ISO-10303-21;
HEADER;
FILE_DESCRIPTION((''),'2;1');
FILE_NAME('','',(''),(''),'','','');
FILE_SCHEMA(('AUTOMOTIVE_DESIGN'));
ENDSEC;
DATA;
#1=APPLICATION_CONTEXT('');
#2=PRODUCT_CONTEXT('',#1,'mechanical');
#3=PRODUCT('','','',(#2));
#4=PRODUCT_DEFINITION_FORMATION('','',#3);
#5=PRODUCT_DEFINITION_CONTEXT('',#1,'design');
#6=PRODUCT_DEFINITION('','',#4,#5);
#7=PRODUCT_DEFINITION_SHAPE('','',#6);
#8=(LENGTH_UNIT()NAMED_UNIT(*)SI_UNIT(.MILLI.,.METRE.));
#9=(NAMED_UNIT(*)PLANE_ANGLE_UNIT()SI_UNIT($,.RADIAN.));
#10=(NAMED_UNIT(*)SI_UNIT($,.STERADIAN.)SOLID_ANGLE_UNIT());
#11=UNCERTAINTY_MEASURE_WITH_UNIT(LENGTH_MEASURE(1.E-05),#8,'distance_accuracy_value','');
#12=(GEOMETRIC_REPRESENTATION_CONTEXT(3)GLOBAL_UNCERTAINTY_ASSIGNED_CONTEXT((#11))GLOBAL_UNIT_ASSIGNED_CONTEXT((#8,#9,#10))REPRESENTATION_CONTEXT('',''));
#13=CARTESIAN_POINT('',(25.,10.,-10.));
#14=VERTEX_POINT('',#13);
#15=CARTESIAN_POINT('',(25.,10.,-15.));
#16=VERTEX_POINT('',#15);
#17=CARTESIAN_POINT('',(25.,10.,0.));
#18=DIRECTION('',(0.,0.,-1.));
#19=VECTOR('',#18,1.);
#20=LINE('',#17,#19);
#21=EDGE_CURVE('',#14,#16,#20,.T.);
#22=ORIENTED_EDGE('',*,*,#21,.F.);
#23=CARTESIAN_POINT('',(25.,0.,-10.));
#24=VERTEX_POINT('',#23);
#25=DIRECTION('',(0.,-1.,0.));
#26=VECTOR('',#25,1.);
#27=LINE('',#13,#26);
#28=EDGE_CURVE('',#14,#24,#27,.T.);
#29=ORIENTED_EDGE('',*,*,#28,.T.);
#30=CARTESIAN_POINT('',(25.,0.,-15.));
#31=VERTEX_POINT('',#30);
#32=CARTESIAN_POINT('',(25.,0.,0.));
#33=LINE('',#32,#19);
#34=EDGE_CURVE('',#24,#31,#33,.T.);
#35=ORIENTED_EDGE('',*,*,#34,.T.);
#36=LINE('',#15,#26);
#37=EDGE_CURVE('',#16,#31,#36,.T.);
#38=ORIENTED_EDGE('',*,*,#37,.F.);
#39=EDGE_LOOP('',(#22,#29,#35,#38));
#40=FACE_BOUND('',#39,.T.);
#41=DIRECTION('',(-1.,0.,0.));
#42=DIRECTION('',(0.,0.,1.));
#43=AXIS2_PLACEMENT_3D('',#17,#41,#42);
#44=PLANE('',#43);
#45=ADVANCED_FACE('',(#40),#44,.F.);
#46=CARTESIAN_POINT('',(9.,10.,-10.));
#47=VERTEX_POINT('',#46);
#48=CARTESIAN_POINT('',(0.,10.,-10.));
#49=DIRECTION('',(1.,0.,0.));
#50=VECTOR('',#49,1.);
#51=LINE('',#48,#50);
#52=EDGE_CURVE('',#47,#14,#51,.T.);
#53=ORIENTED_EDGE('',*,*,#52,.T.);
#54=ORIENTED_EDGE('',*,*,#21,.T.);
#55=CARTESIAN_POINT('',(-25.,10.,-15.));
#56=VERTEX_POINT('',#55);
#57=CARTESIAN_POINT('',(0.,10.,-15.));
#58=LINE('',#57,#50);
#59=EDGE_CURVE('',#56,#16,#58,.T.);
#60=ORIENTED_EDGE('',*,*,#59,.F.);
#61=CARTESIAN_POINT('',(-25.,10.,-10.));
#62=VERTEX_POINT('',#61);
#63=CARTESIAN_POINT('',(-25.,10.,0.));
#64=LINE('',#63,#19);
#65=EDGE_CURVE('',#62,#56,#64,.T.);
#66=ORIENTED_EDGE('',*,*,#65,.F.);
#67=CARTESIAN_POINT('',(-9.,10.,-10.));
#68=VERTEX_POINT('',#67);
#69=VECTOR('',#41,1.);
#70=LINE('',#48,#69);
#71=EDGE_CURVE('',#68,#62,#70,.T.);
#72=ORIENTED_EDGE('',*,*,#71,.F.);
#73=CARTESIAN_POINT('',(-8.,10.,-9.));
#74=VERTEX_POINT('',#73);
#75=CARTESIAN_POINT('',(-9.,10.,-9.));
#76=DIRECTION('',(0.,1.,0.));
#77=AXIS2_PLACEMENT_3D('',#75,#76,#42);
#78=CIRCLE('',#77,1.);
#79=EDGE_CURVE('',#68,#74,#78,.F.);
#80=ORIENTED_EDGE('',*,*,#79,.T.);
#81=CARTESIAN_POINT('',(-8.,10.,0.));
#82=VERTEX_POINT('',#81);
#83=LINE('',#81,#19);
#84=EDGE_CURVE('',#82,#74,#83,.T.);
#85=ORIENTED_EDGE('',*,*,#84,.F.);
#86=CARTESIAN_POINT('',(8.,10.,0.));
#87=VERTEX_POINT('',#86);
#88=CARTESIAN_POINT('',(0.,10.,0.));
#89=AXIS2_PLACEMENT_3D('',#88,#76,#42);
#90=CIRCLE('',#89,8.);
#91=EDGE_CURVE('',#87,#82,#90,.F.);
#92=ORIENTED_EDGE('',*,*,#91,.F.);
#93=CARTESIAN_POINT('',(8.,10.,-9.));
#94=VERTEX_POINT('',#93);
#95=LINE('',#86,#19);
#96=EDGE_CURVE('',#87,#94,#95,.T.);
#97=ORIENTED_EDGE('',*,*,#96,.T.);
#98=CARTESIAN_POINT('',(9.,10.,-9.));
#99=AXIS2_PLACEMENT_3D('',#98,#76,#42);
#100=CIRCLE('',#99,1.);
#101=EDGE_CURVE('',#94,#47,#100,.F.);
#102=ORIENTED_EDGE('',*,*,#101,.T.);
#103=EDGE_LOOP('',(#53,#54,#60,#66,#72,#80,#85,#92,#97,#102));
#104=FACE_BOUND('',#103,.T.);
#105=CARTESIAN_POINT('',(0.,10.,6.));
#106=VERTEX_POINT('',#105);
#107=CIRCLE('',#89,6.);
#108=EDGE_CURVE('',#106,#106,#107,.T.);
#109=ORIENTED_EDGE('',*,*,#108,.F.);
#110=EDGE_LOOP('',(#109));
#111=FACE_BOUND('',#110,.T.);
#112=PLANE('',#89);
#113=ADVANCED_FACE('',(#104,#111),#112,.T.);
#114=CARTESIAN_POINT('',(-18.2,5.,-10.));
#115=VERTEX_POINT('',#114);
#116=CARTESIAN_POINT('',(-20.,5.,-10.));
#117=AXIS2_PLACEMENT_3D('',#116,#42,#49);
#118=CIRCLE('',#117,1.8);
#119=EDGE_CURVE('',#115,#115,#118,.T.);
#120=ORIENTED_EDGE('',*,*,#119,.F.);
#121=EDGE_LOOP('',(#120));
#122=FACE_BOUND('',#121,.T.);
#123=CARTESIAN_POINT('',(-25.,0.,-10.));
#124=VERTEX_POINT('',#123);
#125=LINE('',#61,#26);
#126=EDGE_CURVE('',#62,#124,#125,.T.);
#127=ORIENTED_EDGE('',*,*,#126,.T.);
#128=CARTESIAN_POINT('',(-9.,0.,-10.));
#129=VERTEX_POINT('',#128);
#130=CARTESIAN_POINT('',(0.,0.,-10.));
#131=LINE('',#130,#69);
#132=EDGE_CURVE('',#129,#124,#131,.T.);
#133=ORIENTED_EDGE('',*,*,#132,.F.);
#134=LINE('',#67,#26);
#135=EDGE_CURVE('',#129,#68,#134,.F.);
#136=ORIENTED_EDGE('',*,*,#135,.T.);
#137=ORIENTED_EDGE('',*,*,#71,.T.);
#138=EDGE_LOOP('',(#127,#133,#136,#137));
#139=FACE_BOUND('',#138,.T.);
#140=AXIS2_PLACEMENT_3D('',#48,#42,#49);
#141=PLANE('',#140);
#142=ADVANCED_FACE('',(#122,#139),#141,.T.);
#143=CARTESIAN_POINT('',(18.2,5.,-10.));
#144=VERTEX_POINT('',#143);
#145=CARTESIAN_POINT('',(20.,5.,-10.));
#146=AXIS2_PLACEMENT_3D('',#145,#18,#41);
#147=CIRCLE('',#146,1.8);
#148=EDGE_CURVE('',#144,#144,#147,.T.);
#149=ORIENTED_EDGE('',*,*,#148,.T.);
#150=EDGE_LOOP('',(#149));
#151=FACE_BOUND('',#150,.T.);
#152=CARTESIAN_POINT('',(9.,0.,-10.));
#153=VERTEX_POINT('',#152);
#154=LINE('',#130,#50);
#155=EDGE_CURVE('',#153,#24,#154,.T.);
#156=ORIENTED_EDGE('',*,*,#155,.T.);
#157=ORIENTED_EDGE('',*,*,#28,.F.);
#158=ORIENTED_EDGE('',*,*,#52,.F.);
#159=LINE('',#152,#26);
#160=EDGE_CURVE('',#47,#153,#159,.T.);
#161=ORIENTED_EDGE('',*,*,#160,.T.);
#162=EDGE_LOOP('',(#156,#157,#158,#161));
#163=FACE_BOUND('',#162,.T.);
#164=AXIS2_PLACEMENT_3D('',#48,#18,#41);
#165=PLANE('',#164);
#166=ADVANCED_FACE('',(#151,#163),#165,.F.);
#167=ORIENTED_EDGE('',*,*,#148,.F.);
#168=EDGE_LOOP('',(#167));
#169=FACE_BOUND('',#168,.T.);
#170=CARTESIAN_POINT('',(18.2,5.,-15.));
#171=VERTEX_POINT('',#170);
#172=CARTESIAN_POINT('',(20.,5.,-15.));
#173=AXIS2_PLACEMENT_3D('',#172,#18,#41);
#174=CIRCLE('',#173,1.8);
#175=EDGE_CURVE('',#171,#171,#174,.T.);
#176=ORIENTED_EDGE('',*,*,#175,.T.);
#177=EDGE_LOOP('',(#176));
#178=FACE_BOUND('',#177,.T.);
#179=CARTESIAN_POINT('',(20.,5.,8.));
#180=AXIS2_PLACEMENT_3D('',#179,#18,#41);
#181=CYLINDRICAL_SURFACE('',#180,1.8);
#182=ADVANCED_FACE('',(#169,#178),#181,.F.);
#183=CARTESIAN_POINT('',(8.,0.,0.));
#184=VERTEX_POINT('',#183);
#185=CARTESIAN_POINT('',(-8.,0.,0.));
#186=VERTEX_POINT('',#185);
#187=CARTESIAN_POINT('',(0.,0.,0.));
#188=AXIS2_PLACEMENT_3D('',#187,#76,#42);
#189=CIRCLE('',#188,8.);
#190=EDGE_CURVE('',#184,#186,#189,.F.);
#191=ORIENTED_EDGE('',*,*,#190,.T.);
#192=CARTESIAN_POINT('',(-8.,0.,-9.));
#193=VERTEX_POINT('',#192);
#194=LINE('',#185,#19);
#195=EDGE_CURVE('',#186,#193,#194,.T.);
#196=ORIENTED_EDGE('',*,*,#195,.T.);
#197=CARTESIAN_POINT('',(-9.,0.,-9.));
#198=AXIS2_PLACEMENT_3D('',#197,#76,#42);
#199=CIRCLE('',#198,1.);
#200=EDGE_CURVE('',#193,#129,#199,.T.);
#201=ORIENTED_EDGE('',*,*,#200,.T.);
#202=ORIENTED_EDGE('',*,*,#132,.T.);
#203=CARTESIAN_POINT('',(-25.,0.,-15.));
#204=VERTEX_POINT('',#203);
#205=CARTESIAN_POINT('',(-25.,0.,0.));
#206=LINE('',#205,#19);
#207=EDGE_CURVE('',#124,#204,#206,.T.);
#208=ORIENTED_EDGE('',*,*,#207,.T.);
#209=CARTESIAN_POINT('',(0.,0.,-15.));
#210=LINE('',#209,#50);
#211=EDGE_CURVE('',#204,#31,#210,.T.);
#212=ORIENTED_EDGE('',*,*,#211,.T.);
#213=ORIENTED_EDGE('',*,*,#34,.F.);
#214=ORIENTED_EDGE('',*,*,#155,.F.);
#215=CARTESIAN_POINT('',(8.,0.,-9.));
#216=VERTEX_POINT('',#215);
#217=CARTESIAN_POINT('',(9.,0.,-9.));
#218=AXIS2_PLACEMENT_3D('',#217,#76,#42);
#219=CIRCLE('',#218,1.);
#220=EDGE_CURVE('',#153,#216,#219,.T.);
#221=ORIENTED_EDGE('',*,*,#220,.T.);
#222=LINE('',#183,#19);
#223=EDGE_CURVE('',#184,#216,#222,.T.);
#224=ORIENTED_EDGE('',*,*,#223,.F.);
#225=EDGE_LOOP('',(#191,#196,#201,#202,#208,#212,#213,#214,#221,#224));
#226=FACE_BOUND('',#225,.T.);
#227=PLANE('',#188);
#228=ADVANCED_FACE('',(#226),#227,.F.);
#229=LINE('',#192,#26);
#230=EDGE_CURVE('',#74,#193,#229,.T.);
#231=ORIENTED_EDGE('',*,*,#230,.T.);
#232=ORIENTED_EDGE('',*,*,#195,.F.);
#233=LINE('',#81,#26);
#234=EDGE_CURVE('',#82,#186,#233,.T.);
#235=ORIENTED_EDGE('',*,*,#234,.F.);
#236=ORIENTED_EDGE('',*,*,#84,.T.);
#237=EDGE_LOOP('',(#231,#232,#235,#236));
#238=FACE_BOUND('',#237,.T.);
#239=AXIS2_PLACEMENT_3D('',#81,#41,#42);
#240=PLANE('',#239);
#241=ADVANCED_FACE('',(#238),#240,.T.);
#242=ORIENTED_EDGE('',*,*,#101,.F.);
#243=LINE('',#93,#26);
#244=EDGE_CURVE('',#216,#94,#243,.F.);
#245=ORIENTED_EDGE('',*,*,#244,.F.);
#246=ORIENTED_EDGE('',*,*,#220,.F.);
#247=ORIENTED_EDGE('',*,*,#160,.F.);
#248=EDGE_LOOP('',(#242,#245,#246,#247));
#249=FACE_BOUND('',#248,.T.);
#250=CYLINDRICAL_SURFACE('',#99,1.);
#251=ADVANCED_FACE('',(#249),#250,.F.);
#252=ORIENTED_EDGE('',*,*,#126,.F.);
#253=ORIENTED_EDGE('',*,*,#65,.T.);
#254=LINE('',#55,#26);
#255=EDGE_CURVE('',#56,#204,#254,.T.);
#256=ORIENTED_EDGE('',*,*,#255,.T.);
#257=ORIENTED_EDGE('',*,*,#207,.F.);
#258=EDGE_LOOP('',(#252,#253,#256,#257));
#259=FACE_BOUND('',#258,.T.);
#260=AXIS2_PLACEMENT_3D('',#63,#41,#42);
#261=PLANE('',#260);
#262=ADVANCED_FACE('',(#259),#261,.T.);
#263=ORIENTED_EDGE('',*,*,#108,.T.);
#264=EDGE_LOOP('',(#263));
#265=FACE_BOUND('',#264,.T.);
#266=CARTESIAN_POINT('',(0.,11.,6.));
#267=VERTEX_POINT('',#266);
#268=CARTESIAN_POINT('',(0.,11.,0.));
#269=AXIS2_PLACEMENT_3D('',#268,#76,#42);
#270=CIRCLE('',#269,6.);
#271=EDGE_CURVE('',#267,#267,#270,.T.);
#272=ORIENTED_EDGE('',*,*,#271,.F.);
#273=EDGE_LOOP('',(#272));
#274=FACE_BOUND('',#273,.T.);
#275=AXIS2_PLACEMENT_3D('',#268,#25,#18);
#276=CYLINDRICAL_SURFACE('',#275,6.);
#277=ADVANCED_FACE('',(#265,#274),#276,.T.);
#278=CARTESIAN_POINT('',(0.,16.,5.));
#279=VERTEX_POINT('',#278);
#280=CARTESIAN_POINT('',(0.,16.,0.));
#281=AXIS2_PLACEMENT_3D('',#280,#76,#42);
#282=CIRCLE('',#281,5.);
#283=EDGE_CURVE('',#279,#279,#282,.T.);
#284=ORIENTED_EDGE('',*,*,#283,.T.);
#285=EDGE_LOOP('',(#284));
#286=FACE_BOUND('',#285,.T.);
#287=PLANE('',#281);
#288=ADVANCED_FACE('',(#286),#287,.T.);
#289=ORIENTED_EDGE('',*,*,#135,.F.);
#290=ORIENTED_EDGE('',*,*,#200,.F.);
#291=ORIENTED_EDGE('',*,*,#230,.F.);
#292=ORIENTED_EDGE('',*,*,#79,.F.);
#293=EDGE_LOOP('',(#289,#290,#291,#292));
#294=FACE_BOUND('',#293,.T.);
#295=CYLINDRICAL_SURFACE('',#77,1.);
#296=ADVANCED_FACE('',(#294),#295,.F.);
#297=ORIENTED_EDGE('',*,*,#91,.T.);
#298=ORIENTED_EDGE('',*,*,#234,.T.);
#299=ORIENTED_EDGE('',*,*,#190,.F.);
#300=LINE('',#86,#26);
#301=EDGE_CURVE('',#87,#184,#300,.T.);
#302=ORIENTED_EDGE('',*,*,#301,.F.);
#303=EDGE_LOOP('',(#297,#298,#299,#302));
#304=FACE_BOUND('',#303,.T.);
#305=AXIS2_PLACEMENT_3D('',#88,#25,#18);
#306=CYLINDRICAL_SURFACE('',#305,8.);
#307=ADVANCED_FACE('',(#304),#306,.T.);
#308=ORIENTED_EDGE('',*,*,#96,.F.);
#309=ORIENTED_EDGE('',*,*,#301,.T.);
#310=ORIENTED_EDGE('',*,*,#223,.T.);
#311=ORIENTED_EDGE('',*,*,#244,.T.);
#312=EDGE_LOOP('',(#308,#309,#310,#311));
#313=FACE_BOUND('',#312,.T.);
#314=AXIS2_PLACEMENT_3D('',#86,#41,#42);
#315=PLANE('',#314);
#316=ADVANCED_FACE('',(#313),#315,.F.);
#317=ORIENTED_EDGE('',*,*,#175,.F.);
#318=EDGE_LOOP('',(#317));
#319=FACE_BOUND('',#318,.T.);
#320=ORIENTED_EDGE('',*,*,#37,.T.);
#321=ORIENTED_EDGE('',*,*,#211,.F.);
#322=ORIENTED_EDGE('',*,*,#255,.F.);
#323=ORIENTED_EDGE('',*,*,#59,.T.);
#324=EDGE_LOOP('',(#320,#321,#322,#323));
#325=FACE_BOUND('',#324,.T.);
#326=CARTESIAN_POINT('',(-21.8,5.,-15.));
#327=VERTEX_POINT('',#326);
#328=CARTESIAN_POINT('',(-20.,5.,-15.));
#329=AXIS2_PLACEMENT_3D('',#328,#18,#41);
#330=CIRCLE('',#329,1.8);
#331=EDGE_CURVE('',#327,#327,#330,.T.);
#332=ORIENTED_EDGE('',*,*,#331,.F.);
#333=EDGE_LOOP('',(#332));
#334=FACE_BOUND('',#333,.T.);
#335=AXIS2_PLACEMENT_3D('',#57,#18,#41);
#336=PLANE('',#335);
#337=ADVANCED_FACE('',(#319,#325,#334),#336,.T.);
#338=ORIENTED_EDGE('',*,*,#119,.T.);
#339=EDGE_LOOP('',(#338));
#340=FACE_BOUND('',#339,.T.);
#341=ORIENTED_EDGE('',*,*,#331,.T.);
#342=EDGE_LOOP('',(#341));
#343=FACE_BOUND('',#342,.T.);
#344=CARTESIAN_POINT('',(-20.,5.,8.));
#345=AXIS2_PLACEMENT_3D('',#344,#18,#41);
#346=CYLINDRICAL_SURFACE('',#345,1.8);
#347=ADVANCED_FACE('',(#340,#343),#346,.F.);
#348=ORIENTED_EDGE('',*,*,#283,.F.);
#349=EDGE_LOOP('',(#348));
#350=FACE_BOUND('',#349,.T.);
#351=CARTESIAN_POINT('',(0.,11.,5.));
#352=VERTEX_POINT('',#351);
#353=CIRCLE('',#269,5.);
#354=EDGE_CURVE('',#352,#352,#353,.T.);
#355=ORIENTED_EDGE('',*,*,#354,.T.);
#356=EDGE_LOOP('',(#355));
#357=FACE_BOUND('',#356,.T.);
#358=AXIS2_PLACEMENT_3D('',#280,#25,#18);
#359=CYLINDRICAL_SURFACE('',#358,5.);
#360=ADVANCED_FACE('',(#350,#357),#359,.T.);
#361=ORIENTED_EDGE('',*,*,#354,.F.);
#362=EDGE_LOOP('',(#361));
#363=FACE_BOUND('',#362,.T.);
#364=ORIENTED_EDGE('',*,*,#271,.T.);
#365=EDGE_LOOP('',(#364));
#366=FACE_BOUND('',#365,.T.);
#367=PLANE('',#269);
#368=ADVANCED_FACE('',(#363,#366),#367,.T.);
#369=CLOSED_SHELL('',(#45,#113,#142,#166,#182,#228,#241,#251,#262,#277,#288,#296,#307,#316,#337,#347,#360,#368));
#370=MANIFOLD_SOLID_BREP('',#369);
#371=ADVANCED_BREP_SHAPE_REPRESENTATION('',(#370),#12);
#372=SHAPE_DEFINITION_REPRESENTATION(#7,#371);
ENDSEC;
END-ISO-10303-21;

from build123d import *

# Parameters (mm, degrees)
EXTRUDE_1_DEPTH     = 10
SKETCH_2_R          = 5
EXTRUDE_2_DEPTH     = 6
SKETCH_3_R          = 6
EXTRUDE_3_DEPTH     = 1
SKETCH_4_R          = 1.8
CUT_EXTRUDE_1_DEPTH = 38.549966711
FILLET_1_R          = 1


with BuildPart() as part:
    # ｽｹｯﾁ1 → ﾎﾞｽ - 押し出し1 (new body)
    with BuildSketch(Plane(origin=(0, 0, 0), x_dir=(1, 0, 0), z_dir=(0, 1, 0))):
        with BuildLine():
            Line((-8, 0), (-8, 10))
            Line((-8, 10), (-25, 10))
            Line((-25, 10), (-25, 15))
            Line((-25, 15), (25, 15))
            Line((25, 15), (25, 10))
            Line((25, 10), (8, 10))
            Line((8, 10), (8, 0))
            ThreePointArc((8, 0), (0, -8), (-8, 0))
        make_face()
    extrude(amount=EXTRUDE_1_DEPTH)

    # ｽｹｯﾁ2 → ﾎﾞｽ - 押し出し2 (add)
    with BuildSketch(Plane(origin=(0, 10, 0), x_dir=(1, 0, 0), z_dir=(0, 1, 0))):
        with Locations(Location((0, 0, 0), (0, 0, 270))):
            Circle(SKETCH_2_R)
    extrude(amount=EXTRUDE_2_DEPTH)

    # ｽｹｯﾁ3 → ﾎﾞｽ - 押し出し3 (add)
    with BuildSketch(Plane(origin=(0, 10, 0), x_dir=(1, 0, 0), z_dir=(0, 1, 0))):
        with Locations(Location((0, 0, 0), (0, 0, 270))):
            Circle(SKETCH_3_R)
    extrude(amount=EXTRUDE_3_DEPTH)

    # ｽｹｯﾁ4 → ｶｯﾄ - 押し出し1 (cut, through all)
    with BuildSketch(Plane(origin=(0, 0, -15), x_dir=(-1, 0, 0), z_dir=(0, 0, -1))):
        with Locations((20, 5)):
            Circle(SKETCH_4_R)
        with Locations((-20, 5)):
            Circle(SKETCH_4_R)
    extrude(amount=-CUT_EXTRUDE_1_DEPTH, mode=Mode.SUBTRACT)

    # ﾌｨﾚｯﾄ1
    fillet_1_edges = [part.edges().sort_by_distance(p)[0] for p in [
        (-8, 5, -10),
        (8, 5, -10),
    ]]
    fillet(fillet_1_edges, radius=FILLET_1_R)


solid = part.part
